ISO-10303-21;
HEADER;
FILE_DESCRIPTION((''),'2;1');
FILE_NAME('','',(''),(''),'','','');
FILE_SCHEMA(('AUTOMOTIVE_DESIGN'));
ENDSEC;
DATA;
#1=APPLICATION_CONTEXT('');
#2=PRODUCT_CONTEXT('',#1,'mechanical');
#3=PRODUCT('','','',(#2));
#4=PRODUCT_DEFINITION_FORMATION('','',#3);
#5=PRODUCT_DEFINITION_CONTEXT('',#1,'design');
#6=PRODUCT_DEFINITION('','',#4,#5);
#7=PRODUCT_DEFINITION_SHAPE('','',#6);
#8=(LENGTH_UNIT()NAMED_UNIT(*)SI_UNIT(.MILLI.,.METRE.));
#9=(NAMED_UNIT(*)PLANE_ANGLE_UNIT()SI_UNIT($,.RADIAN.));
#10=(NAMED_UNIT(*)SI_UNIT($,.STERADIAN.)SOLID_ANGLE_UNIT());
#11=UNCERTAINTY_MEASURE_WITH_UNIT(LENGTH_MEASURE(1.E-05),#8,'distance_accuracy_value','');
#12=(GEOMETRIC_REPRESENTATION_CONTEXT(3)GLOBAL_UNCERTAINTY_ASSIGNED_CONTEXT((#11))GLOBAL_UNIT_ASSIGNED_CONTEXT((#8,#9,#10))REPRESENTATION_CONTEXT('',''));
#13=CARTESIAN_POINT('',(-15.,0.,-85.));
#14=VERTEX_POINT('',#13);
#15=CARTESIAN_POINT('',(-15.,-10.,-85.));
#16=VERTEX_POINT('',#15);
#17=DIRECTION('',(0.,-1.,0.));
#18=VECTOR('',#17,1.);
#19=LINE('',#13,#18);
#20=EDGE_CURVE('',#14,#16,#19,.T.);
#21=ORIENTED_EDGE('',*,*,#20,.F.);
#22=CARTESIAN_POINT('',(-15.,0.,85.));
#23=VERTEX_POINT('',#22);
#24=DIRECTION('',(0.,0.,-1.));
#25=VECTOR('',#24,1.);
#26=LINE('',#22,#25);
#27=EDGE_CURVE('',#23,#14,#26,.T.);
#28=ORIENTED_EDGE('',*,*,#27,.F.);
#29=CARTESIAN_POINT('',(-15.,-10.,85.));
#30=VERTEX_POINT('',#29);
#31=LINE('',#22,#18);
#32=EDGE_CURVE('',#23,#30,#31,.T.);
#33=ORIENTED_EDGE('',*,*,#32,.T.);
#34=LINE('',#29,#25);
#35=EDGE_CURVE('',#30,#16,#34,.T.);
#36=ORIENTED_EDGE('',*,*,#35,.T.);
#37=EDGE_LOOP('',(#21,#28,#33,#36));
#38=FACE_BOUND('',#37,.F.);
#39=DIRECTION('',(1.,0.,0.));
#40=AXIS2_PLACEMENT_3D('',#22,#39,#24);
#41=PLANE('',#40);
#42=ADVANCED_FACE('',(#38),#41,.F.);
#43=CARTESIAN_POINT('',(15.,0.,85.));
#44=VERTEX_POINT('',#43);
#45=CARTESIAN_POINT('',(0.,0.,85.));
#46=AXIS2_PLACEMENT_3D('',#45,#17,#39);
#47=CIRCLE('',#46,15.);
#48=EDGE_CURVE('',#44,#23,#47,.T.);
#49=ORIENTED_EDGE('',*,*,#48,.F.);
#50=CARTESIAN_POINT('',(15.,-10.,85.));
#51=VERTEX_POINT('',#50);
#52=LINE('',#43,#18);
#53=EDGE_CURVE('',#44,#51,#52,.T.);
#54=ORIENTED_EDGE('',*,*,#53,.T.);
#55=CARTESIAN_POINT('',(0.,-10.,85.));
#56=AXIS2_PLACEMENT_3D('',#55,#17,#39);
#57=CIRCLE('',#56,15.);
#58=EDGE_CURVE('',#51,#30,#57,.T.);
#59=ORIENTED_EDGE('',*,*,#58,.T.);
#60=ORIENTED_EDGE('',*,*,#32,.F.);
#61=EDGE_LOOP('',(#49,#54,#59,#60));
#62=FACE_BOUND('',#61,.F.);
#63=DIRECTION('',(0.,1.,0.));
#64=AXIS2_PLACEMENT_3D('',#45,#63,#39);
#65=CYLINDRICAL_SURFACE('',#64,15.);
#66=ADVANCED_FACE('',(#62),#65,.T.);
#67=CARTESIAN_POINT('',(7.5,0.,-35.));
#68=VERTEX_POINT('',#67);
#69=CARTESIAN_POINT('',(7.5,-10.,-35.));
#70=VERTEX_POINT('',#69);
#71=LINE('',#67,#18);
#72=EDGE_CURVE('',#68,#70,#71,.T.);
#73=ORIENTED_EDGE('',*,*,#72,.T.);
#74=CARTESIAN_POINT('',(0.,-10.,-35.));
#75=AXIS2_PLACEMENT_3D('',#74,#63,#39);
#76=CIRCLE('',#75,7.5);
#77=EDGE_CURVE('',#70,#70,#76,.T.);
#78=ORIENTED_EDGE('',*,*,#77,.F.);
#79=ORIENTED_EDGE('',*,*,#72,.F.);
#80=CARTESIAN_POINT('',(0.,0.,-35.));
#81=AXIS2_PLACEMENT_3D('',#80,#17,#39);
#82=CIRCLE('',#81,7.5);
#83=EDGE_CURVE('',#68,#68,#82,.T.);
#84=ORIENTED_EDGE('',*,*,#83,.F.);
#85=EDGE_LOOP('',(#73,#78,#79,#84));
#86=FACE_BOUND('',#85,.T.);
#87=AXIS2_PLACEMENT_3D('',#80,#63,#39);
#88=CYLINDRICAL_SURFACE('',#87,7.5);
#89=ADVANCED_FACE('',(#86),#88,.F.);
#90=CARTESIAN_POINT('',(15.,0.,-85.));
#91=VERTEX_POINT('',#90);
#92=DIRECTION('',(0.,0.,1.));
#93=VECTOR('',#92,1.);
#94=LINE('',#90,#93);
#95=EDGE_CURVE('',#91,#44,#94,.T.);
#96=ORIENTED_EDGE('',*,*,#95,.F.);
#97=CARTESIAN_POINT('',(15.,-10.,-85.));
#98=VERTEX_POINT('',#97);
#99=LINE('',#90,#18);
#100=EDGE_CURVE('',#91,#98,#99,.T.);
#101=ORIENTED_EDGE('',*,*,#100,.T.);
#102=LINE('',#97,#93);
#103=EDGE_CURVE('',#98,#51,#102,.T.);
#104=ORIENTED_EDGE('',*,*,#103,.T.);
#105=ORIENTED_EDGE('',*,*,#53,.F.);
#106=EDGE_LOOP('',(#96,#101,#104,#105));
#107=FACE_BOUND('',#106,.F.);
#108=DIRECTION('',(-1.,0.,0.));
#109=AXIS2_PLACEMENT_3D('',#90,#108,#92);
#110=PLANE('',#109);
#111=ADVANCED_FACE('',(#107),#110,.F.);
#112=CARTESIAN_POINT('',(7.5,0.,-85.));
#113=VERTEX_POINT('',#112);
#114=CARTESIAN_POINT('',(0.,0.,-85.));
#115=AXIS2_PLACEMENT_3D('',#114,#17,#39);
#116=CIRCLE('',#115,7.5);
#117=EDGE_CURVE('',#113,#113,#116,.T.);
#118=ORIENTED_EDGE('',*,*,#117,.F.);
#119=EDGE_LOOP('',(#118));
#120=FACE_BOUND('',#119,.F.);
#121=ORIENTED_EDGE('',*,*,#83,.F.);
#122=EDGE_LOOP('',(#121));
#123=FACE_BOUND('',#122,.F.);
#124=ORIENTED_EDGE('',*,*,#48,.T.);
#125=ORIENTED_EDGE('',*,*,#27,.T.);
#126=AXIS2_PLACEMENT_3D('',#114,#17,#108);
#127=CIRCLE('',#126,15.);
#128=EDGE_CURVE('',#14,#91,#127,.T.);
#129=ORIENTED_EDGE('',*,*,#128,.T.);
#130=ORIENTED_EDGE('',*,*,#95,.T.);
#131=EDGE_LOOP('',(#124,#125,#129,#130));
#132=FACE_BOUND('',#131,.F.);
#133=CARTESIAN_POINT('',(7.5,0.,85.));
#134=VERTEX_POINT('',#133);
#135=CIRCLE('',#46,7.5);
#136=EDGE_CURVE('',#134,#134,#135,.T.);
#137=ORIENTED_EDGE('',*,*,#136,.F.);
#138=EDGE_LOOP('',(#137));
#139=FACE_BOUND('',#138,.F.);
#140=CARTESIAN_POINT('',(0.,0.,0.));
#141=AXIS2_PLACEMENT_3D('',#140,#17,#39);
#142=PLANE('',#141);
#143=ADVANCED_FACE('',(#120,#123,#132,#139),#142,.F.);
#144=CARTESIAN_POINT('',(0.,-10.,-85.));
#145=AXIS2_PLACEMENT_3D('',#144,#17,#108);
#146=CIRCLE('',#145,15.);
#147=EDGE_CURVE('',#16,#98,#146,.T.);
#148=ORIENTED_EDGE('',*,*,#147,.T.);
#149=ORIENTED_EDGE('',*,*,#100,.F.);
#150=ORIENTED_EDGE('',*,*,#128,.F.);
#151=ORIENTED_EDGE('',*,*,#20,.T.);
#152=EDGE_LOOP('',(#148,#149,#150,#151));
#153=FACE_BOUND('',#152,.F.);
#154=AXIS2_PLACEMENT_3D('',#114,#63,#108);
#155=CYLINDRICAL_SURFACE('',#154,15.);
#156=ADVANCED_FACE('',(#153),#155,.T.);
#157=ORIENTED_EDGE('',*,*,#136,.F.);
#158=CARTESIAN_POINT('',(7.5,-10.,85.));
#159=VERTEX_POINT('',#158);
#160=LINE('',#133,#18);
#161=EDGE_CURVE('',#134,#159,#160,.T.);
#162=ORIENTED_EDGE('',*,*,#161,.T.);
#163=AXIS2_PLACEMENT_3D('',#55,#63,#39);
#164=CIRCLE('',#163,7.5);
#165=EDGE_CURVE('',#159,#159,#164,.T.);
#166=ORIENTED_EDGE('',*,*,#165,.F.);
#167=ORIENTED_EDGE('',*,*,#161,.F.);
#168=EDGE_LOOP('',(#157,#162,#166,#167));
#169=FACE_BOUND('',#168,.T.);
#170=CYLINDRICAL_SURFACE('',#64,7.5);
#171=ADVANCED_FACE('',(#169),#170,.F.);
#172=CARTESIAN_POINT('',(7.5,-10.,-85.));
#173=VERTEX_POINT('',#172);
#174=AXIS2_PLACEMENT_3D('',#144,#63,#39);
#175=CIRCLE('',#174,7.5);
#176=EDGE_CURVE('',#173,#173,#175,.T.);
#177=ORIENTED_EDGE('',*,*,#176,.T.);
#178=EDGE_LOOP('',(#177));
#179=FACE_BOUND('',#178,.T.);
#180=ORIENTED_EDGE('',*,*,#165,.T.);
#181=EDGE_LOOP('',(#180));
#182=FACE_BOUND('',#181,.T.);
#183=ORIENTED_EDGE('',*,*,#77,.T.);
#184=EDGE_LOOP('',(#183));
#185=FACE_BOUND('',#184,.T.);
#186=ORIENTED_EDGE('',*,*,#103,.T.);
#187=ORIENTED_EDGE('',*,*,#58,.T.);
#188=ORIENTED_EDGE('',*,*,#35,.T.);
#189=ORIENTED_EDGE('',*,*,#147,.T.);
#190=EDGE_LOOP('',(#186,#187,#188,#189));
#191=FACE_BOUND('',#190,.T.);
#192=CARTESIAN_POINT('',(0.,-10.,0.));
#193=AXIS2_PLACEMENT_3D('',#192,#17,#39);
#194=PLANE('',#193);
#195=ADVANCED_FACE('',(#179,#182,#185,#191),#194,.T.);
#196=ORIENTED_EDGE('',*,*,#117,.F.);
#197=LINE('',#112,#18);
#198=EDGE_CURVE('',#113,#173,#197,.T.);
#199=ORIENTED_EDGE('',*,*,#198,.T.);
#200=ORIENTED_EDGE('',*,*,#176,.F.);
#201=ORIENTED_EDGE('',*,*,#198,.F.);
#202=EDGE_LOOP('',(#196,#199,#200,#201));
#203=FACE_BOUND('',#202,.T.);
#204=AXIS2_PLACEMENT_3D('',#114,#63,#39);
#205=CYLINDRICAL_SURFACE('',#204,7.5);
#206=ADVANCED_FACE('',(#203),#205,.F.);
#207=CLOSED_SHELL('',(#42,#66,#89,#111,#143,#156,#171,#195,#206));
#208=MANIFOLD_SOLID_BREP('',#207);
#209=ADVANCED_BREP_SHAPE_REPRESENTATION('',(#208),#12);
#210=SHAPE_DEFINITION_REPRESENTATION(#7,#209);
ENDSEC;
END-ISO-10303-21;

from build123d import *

# Parameters (mm, degrees)
F1_DEPTH = 10
F2_R     = 7.5
F3_DEPTH = 51


with BuildPart() as f1:
    # F0 (on Front) → F1 (new body)
    with BuildSketch(Plane.XZ):
        with BuildLine():
            Line((15, -85), (15, 85))
            ThreePointArc((15, 85), (0, 100), (-15, 85))
            Line((-15, 85), (-15, -85))
            ThreePointArc((-15, -85), (0, -100), (15, -85))
        make_face()
    extrude(amount=F1_DEPTH)

    # F2 (on Front) → F3 (cut)
    with BuildSketch(Plane.XZ):
        with Locations((0, 85)):
            Circle(F2_R)
        with Locations((0, -35)):
            Circle(F2_R)
        with Locations((0, -85)):
            Circle(F2_R)
    extrude(amount=F3_DEPTH, mode=Mode.SUBTRACT)


solid = f1.part
